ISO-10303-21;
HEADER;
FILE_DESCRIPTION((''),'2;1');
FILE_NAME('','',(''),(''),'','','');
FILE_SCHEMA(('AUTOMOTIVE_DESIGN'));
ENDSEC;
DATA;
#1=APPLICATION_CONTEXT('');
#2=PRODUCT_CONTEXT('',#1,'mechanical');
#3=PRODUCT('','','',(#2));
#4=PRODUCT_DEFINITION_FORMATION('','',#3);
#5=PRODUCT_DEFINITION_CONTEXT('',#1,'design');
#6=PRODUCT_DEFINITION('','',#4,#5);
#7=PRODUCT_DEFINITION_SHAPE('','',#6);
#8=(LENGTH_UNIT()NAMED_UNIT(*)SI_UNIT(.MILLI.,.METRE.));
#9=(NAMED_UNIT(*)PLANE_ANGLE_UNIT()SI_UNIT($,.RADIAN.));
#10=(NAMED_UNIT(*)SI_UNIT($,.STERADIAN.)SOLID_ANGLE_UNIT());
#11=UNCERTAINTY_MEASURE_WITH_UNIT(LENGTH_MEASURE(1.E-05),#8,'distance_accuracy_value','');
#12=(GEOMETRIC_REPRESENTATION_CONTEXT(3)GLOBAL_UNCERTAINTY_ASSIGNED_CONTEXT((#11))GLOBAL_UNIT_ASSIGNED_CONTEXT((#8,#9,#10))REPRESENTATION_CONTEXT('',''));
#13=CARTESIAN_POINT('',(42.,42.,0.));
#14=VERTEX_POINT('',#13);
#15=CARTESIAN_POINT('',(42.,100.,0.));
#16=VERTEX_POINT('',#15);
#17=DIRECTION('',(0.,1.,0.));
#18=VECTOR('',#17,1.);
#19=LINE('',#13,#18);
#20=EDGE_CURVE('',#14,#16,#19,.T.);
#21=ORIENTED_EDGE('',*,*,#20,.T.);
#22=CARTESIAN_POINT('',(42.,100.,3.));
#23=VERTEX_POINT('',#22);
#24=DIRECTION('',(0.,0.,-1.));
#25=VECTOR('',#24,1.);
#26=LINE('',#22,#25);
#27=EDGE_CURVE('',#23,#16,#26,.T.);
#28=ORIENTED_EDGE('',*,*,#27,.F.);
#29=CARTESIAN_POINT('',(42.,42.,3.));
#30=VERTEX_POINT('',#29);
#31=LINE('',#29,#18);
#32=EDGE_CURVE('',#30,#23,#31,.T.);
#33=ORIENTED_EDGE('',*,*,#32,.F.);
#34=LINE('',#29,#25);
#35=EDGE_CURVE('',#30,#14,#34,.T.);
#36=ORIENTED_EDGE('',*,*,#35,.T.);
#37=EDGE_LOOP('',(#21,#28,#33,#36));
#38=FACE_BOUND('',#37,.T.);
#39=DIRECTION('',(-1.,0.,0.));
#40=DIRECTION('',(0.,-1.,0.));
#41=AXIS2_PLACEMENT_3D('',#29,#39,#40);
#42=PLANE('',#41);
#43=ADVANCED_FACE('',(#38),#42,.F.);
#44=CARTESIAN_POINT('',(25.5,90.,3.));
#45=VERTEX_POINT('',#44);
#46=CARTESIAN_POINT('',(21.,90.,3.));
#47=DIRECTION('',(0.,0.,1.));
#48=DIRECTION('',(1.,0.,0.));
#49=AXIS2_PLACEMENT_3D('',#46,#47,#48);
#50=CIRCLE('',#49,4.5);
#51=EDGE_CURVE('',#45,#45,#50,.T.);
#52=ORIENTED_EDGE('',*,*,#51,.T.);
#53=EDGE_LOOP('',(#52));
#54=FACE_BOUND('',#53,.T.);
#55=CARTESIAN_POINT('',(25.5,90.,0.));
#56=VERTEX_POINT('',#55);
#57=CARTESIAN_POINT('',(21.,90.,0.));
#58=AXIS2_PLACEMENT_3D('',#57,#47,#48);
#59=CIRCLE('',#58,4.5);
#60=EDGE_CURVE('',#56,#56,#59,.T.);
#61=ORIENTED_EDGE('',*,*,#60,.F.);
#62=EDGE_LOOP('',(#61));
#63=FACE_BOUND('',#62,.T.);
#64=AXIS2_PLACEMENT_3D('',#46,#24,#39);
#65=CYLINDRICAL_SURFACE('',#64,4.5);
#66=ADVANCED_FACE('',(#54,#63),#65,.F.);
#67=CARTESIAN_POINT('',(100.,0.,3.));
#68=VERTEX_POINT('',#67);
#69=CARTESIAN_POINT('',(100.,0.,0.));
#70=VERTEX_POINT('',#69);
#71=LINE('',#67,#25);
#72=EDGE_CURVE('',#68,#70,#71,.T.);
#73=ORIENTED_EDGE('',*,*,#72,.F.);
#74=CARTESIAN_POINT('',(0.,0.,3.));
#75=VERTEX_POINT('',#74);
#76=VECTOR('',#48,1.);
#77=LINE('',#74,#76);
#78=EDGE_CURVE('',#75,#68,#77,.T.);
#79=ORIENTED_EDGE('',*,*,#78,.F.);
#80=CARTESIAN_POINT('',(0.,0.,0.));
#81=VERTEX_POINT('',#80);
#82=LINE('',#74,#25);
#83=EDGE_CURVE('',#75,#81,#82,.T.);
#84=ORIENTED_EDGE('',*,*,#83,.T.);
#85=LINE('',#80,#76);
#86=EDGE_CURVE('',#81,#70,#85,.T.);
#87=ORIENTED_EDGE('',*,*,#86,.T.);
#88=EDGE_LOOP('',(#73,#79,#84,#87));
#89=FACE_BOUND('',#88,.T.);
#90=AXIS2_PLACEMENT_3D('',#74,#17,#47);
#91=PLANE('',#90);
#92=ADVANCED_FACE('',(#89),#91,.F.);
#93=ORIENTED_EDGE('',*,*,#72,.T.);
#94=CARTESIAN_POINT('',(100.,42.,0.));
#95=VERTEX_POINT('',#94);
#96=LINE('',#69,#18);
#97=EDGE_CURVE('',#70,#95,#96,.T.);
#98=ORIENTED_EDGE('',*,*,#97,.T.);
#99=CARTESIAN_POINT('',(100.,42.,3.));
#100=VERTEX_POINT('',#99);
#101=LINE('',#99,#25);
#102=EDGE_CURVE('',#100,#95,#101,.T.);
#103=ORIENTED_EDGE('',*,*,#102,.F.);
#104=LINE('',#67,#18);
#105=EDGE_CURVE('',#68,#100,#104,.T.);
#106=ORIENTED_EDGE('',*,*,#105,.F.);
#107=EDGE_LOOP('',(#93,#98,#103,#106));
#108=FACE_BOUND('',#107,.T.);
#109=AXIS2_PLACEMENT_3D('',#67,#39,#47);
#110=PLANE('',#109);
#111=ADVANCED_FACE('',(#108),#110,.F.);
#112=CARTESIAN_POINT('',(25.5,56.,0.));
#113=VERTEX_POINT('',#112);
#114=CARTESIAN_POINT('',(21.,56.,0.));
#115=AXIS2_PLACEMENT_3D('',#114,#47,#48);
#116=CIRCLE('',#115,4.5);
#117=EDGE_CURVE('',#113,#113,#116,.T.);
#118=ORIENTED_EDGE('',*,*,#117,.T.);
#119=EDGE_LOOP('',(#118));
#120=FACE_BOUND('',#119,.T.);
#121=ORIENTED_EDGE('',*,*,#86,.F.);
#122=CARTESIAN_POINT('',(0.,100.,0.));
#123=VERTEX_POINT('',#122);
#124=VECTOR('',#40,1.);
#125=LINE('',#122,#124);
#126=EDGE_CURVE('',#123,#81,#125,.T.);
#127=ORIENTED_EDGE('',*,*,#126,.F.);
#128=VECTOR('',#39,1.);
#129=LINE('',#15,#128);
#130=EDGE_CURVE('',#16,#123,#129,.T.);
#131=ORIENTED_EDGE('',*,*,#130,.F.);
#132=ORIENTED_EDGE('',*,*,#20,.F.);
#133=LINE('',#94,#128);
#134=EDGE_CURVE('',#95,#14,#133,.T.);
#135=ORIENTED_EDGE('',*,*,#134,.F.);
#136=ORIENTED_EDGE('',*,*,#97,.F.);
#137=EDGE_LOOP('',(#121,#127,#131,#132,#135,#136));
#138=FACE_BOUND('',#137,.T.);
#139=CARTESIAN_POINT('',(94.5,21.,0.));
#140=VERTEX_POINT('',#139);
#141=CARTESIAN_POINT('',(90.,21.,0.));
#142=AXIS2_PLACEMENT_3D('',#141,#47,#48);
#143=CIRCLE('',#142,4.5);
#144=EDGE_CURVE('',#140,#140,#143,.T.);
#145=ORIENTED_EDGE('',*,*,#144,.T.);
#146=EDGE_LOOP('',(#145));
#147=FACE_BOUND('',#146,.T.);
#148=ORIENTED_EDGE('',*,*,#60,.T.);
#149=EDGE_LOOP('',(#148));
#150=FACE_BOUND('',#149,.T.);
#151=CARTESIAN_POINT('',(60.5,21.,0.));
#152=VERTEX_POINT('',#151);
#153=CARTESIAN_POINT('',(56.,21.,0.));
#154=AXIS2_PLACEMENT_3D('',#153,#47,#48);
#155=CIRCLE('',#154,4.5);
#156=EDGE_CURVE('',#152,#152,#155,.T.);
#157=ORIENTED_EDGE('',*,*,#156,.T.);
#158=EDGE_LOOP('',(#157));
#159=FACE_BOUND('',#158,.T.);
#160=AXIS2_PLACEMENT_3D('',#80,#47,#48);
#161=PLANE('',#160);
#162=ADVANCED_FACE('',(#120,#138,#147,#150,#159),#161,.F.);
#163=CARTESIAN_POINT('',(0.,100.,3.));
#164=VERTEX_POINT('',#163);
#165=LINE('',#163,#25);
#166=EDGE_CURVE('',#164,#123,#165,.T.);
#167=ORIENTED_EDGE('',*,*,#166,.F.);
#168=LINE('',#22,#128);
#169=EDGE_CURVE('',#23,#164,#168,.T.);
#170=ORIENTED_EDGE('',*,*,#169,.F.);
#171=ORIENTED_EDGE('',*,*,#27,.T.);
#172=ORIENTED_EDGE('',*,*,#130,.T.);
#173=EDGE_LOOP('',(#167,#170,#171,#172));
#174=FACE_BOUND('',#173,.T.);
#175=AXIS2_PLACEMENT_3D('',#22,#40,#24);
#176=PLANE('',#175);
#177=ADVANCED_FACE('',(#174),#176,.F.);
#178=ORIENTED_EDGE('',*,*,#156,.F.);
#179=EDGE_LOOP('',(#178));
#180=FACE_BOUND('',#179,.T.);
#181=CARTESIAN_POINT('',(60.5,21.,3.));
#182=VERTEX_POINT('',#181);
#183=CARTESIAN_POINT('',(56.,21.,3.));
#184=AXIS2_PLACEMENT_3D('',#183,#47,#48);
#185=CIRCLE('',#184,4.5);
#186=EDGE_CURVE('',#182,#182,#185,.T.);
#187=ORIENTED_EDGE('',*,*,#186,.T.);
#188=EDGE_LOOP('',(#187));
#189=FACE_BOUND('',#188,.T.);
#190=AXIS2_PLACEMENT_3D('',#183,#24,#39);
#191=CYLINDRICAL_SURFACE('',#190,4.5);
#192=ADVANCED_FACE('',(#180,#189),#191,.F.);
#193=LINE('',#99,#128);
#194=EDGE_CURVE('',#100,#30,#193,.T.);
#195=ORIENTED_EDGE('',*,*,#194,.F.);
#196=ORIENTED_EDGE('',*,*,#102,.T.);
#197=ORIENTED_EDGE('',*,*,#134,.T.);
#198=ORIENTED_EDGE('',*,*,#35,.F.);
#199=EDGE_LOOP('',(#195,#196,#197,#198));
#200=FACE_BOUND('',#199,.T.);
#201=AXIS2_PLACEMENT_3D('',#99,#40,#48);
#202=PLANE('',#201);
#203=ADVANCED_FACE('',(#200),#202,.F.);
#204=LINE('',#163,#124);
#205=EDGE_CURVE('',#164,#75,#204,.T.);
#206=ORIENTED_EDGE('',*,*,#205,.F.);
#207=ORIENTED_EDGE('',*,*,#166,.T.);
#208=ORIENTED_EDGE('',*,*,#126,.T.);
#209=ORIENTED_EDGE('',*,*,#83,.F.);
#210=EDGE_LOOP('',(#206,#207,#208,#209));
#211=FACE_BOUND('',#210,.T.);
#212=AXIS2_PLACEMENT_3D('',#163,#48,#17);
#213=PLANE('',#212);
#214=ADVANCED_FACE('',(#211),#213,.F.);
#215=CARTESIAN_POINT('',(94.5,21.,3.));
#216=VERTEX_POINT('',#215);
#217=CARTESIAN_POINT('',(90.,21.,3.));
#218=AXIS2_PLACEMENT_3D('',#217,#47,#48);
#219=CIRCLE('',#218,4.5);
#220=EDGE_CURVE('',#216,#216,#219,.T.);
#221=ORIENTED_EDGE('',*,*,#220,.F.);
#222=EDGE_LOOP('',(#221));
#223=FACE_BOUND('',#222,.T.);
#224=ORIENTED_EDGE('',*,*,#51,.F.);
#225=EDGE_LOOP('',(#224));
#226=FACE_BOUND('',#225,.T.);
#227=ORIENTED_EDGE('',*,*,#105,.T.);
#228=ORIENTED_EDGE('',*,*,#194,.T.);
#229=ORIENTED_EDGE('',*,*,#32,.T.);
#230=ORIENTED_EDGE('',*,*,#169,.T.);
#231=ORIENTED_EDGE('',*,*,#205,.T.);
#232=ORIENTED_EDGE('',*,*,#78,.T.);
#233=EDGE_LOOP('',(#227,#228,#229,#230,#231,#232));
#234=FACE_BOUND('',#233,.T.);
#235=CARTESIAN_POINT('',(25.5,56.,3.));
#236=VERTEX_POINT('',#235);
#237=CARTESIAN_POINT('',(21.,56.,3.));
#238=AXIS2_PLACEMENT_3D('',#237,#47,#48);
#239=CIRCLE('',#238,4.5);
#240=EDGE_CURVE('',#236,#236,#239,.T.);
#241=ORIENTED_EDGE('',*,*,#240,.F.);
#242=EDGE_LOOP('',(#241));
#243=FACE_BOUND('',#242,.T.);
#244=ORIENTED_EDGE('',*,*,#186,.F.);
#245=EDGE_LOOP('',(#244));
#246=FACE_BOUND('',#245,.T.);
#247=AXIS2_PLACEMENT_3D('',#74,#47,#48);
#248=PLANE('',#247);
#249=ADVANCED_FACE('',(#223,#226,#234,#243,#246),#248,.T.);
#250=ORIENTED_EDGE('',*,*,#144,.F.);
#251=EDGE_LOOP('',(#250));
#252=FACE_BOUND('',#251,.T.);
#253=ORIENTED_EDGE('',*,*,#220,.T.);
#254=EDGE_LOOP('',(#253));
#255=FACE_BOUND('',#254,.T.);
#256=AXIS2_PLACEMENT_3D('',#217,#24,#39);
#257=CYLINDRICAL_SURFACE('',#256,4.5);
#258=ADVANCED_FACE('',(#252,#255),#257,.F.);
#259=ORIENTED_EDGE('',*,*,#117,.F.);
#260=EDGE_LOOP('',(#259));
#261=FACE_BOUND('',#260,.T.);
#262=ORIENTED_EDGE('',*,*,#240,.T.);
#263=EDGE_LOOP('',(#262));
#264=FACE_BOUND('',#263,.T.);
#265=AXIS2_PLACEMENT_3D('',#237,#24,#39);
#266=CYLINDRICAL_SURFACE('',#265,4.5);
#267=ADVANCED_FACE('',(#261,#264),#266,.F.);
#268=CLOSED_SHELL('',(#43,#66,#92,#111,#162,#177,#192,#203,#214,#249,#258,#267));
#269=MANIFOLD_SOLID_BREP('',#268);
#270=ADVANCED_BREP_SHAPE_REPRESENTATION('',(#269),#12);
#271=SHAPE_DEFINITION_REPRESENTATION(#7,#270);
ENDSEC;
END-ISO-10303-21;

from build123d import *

# Parameters (mm, degrees)
SKETCH_1_R      = 4.5
EXTRUDE_1_DEPTH = 3


with BuildPart() as part:
    # Эскиз1 → Бобышка-Вытянуть1 (new body)
    with BuildSketch(Plane.XY):
        Polygon((0, 100), (0, 0), (100, 0), (100, 42), (42, 42), (42, 100), align=None)
        with Locations((21, 90)):
            Circle(SKETCH_1_R, mode=Mode.SUBTRACT)
        with Locations((21, 56)):
            Circle(SKETCH_1_R, mode=Mode.SUBTRACT)
        with Locations((56, 21)):
            Circle(SKETCH_1_R, mode=Mode.SUBTRACT)
        with Locations((90, 21)):
            Circle(SKETCH_1_R, mode=Mode.SUBTRACT)
    extrude(amount=EXTRUDE_1_DEPTH)


solid = part.part
